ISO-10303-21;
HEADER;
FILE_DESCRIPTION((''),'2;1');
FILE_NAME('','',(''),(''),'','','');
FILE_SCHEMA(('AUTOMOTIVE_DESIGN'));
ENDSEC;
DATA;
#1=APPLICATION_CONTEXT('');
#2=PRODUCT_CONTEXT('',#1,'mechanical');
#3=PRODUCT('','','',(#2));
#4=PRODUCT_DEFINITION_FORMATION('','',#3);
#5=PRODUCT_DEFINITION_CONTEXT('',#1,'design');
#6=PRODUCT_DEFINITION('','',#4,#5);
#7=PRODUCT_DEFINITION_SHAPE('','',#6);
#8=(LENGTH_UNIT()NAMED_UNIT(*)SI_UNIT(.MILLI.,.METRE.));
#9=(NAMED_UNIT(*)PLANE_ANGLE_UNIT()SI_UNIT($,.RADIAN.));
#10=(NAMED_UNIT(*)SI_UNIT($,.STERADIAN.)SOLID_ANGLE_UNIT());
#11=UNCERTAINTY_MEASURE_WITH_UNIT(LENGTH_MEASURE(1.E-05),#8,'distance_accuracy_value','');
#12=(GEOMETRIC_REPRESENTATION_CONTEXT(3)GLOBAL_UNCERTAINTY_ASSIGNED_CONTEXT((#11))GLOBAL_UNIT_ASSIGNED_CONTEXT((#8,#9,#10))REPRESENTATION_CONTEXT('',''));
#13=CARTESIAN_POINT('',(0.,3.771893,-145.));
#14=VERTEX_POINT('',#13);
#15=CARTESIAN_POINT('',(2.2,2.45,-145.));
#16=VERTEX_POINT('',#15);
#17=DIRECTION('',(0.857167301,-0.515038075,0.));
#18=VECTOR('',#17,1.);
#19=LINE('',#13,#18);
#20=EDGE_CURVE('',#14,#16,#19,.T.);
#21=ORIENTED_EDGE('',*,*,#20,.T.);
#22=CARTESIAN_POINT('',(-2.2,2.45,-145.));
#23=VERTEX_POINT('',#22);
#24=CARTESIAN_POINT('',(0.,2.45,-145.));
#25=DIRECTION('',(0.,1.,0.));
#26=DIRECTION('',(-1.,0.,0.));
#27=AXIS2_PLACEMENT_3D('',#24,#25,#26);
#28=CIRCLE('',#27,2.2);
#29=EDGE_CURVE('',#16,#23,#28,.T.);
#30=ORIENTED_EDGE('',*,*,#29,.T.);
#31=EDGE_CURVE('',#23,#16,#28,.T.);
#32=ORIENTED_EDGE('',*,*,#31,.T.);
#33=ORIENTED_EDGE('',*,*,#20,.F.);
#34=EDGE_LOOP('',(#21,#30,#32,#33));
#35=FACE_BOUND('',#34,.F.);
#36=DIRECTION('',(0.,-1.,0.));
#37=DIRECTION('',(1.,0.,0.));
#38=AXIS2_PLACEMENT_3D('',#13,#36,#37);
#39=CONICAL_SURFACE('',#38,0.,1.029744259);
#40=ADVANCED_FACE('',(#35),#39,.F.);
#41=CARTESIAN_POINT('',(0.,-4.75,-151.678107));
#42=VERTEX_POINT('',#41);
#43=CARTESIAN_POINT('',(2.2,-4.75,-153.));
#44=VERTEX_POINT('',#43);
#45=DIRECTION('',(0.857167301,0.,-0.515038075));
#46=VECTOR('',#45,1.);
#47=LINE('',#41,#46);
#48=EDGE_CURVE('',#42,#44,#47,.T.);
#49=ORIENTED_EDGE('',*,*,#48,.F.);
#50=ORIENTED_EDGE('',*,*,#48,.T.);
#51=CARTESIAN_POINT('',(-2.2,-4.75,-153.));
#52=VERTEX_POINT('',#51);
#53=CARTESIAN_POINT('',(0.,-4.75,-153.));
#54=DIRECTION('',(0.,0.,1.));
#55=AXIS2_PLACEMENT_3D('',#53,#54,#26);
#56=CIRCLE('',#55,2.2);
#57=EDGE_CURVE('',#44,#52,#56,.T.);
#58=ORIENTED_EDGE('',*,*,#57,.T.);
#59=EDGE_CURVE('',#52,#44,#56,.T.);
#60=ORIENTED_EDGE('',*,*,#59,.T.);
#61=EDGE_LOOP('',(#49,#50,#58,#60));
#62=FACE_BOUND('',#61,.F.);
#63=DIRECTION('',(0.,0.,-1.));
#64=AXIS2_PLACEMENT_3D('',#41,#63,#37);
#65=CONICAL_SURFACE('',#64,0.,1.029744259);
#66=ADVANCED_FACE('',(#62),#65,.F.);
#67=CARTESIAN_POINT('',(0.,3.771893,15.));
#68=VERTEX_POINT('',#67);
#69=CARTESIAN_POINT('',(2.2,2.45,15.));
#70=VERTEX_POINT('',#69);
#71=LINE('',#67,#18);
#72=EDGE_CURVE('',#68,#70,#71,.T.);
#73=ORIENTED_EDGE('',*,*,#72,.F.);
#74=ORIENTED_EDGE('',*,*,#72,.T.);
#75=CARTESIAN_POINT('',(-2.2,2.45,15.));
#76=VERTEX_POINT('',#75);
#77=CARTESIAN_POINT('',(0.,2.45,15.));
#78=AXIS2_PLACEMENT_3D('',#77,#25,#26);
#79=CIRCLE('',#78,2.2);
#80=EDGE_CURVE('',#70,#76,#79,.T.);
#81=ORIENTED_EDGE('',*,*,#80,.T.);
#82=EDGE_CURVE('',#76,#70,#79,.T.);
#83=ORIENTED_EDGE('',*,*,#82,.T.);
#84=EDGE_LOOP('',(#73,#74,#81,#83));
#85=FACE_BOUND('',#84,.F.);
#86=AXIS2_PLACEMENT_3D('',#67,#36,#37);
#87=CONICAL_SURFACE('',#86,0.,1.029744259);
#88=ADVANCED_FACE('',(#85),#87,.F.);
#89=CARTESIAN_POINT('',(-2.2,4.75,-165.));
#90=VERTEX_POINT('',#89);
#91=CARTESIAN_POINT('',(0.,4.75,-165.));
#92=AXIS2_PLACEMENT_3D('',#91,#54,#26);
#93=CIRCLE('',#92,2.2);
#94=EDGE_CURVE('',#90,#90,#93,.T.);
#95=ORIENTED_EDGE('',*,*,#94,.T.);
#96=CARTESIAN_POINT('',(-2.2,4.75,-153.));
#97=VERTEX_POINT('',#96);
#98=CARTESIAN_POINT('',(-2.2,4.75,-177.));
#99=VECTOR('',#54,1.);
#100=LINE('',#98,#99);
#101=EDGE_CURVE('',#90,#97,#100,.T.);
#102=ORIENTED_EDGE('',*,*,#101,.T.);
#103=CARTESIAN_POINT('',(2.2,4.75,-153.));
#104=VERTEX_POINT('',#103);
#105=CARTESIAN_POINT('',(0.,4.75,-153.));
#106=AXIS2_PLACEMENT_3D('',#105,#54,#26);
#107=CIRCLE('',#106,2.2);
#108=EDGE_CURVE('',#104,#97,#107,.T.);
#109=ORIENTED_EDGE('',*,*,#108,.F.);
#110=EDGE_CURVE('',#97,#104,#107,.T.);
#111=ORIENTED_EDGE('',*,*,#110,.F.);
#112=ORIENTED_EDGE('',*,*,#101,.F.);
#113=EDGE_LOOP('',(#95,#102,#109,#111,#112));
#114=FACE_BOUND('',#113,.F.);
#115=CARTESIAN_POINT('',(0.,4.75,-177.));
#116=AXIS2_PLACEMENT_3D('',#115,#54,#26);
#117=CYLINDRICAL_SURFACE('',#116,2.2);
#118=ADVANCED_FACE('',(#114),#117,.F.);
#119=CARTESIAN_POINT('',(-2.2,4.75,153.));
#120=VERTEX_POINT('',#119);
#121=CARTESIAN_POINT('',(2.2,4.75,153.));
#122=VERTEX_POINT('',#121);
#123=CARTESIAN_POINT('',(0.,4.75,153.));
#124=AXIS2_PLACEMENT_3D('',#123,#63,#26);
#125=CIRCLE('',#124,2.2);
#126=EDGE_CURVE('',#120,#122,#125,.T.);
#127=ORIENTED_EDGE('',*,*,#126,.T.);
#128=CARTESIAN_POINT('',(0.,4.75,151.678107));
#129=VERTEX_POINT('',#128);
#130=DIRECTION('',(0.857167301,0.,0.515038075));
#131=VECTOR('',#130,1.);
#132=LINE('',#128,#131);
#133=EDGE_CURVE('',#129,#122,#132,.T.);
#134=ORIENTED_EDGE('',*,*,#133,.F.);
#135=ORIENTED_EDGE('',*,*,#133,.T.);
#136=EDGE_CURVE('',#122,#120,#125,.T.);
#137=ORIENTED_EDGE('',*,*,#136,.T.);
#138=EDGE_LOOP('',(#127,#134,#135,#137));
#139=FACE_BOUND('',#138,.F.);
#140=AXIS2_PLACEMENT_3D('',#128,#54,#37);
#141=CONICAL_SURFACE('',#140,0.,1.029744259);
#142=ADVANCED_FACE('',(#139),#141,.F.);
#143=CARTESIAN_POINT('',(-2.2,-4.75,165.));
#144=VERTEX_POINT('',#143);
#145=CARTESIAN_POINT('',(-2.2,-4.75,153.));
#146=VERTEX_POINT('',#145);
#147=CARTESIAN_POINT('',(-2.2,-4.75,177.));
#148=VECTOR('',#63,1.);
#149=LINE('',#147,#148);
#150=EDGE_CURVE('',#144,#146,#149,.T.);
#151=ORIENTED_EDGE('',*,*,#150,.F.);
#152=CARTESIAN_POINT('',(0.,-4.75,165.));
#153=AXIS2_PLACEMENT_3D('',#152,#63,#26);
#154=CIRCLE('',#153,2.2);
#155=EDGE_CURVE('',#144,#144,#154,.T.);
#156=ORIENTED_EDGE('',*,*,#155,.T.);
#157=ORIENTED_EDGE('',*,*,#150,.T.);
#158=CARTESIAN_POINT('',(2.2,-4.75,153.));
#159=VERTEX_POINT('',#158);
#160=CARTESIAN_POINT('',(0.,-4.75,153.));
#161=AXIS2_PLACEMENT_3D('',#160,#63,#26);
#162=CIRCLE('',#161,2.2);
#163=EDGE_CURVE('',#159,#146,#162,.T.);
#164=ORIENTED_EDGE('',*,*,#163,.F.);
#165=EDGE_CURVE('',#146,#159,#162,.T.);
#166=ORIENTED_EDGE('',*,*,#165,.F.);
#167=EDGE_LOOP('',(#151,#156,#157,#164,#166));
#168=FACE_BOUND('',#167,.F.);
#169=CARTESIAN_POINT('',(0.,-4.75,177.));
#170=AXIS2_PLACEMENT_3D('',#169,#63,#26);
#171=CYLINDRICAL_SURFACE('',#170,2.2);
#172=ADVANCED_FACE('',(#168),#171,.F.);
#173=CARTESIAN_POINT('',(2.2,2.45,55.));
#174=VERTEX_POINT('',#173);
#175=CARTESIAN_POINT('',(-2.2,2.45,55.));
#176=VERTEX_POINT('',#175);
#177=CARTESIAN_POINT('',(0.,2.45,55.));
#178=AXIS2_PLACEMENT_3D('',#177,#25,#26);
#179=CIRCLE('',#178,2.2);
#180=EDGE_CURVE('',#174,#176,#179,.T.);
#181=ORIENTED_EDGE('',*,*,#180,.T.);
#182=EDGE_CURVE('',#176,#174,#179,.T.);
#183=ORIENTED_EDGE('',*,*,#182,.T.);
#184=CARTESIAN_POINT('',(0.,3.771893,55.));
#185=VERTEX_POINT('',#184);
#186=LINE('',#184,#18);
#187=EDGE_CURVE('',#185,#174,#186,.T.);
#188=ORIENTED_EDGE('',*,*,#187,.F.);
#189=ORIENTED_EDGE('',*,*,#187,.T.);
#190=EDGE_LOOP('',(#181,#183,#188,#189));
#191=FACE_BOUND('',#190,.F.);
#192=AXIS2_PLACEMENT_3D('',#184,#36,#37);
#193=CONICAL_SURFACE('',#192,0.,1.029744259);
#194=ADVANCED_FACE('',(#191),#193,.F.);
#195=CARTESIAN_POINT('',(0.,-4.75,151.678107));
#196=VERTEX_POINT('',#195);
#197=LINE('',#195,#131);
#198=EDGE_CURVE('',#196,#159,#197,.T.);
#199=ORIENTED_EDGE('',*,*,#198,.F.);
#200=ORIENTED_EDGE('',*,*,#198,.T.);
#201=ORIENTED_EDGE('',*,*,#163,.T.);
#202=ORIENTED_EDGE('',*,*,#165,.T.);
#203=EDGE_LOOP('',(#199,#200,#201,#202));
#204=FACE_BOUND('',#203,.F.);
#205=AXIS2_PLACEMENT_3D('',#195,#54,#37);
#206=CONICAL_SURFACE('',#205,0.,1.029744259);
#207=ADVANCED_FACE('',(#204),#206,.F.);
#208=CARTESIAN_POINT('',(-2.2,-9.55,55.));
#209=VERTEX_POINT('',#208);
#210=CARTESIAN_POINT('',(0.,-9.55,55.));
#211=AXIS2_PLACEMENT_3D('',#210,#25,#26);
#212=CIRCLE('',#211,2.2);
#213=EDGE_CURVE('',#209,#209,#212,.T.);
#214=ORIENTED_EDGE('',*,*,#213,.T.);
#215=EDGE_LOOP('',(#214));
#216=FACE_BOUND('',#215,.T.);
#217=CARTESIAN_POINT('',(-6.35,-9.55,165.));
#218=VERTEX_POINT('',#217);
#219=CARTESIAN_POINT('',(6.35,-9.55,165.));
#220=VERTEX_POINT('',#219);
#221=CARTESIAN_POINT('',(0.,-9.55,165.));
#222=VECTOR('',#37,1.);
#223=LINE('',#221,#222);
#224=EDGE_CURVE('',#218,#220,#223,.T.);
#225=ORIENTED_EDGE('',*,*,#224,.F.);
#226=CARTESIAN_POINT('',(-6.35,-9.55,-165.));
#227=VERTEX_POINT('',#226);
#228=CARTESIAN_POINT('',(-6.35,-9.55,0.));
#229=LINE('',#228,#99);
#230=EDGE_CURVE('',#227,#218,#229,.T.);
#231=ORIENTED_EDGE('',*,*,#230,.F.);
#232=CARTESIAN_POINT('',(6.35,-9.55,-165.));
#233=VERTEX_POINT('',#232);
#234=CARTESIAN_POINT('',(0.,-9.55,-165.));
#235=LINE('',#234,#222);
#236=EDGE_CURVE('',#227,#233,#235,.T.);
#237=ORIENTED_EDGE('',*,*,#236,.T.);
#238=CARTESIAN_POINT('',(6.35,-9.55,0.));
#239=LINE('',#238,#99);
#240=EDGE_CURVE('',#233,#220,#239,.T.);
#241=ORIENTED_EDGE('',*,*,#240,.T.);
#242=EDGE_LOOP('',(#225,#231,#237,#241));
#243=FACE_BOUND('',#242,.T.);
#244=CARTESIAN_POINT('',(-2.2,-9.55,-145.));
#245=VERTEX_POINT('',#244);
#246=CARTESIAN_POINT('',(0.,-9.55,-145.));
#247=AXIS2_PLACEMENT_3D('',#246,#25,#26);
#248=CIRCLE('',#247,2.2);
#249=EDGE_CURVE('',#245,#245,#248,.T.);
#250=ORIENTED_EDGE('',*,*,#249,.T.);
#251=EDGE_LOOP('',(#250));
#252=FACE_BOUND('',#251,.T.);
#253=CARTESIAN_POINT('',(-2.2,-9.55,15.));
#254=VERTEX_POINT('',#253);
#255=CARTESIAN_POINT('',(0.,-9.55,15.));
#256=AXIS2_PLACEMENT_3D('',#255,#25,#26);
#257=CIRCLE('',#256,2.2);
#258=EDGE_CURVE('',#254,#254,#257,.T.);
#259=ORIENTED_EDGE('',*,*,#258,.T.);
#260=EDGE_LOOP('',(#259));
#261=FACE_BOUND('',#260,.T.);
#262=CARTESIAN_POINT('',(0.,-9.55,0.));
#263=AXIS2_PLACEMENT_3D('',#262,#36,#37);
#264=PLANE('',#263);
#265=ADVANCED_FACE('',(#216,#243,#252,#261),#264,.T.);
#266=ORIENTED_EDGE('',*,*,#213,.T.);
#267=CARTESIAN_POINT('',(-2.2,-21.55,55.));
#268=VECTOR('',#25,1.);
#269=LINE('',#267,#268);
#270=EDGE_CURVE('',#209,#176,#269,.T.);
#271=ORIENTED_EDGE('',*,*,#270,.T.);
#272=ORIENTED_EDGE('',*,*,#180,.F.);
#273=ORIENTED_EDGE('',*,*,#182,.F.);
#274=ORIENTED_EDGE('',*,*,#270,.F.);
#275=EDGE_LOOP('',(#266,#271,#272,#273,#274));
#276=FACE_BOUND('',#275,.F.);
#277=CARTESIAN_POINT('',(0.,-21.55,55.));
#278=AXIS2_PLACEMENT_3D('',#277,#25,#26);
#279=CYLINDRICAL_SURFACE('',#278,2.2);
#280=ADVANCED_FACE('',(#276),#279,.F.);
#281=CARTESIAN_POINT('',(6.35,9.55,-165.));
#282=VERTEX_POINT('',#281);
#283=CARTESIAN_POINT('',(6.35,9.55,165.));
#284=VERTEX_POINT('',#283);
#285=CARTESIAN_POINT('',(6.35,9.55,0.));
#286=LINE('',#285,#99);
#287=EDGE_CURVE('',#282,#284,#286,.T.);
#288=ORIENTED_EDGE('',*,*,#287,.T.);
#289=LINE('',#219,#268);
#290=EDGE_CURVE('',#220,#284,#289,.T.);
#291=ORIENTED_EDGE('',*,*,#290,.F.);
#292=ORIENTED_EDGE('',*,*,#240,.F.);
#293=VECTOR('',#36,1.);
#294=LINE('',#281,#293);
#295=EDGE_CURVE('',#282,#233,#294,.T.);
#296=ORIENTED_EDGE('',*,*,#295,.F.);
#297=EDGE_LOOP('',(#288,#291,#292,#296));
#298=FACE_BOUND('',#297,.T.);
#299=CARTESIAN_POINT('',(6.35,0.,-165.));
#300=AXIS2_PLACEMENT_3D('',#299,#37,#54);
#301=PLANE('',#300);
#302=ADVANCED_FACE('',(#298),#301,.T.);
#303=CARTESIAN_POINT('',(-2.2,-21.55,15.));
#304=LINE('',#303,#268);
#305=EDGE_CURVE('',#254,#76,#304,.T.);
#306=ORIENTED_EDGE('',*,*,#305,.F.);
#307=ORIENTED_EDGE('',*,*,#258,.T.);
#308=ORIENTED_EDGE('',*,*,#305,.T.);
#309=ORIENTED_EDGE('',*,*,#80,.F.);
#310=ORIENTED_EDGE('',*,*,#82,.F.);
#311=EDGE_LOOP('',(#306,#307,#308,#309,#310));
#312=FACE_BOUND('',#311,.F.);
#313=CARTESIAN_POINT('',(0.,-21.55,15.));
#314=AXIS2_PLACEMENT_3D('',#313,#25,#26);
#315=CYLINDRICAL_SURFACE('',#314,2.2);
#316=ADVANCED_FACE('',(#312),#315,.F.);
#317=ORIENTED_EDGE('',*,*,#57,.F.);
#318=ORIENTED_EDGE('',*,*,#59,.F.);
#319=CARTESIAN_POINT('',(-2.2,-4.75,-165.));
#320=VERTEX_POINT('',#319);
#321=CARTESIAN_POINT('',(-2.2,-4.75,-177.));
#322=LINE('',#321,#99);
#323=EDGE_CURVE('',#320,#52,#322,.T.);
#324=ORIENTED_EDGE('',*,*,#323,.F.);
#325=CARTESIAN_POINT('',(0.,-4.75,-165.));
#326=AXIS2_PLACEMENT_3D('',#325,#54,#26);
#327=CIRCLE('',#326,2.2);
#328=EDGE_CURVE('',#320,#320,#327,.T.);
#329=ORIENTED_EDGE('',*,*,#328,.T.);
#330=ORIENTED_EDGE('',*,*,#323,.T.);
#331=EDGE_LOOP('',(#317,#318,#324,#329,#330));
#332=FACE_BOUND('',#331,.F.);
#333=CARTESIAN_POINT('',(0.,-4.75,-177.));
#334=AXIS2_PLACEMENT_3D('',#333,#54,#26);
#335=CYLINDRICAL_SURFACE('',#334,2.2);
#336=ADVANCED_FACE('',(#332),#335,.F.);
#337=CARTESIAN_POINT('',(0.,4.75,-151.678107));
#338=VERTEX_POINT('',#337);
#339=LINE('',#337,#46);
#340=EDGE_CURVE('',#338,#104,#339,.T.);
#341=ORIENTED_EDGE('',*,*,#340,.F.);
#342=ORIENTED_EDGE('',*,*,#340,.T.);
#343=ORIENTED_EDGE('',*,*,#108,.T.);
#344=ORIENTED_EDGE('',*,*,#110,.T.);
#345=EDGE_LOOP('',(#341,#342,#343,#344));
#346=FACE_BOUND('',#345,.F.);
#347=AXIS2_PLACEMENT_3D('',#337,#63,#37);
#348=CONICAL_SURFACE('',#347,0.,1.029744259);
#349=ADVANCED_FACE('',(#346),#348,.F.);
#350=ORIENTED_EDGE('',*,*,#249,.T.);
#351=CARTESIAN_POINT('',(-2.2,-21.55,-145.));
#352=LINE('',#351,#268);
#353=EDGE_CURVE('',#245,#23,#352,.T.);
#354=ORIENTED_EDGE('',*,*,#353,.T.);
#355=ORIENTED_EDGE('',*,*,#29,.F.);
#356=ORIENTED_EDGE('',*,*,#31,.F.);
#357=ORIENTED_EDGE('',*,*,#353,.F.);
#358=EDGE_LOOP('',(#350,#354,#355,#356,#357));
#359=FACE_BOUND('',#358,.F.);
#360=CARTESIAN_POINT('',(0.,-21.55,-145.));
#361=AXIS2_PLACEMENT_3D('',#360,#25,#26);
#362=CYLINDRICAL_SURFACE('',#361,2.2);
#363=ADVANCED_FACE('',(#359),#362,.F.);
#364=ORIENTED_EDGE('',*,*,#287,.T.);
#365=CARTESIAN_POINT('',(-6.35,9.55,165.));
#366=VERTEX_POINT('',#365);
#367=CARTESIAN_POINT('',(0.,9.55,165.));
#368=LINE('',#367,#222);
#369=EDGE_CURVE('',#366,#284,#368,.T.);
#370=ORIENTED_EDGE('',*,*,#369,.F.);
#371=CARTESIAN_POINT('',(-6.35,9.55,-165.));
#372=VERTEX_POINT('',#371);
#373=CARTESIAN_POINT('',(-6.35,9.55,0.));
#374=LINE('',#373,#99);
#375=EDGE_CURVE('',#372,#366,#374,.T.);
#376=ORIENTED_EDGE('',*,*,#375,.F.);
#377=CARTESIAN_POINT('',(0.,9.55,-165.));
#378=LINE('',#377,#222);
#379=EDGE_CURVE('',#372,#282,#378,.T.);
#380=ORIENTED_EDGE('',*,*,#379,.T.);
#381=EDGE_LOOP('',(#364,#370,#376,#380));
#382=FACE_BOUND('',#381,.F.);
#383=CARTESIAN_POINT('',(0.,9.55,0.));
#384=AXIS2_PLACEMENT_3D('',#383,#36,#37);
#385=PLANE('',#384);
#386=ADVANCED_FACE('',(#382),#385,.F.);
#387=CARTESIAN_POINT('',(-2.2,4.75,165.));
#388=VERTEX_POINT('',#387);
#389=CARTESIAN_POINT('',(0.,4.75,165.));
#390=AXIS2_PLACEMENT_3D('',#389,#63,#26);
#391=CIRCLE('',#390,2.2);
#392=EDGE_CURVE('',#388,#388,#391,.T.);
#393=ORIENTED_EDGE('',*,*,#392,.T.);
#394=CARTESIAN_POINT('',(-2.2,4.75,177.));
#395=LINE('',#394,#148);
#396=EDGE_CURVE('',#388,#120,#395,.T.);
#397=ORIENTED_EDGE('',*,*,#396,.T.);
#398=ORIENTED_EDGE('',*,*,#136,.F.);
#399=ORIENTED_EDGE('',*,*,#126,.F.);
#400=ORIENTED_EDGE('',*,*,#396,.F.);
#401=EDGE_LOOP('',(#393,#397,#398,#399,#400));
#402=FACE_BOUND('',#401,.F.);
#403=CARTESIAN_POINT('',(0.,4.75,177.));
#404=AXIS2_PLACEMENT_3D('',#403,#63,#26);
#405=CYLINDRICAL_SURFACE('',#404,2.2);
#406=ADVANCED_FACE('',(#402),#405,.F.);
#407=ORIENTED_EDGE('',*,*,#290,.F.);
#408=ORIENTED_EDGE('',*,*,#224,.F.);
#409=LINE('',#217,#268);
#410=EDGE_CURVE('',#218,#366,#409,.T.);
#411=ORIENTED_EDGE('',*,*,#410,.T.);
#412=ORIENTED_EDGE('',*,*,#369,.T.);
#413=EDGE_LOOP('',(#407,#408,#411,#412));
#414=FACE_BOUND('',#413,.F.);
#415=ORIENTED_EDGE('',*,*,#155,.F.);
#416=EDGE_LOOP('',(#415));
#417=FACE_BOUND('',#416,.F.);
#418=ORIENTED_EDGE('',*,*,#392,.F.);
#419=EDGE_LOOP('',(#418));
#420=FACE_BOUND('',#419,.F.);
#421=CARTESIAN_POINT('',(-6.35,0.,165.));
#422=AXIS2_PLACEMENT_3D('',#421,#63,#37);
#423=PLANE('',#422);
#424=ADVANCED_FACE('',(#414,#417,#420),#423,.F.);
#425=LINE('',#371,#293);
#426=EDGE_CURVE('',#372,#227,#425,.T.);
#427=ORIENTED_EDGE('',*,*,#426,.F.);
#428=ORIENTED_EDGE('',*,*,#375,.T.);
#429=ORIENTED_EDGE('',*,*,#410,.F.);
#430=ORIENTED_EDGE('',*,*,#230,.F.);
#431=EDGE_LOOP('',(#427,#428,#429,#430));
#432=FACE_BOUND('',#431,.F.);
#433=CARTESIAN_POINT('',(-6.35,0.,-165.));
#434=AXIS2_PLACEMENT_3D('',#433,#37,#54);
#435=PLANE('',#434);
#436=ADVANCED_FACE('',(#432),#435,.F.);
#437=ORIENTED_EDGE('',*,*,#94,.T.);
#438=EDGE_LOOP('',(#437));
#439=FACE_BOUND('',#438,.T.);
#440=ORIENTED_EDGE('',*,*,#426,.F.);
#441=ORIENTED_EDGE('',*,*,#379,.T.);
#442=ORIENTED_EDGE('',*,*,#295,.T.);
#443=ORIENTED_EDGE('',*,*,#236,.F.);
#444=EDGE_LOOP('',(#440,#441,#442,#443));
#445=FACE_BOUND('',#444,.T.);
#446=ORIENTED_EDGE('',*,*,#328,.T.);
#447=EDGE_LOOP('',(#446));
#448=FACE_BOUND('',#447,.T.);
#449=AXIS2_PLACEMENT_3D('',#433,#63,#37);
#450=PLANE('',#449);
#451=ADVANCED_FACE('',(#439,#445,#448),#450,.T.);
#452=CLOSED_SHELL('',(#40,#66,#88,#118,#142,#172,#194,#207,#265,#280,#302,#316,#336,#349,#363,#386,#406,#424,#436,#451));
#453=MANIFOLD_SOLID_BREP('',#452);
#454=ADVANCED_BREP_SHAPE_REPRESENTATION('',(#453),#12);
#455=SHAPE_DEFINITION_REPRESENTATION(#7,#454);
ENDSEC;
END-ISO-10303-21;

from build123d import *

# Parameters (mm, degrees)
F0_W           = 12.7
F0_H           = 330
F1_DEPTH       = 9.55
F3_D           = 4.4
F3_DEPTH       = 12
F3_TIP         = 1.3218933619
F6_D           = 4.4
F6_DEPTH       = 12
F6_TIP         = 1.3218933619
F6_ON_F4_D     = 4.4
F6_ON_F4_DEPTH = 12
F6_ON_F4_TIP   = 1.3218933619


with BuildPart() as f1:
    # F0 (on Front) → F1 (new body, symmetric)
    with BuildSketch(Plane.XZ):
        Rectangle(F0_W, F0_H)
    extrude(amount=F1_DEPTH, both=True)

    # F3
    with Locations(Plane.XZ.offset(9.55)):
        with Locations((0, 15), (0, -145), (0, 55), (0, 55)):
            Hole(F3_D / 2, depth=F3_DEPTH)
            with Locations((0, 0, -(F3_DEPTH + F3_TIP / 2))):  # 118° drill point
                Cone(0, F3_D / 2, F3_TIP, mode=Mode.SUBTRACT)

    # F6
    with Locations(Plane.XY.offset(165)):
        with Locations((0, 4.75), (0, -4.75)):
            Hole(F6_D / 2, depth=F6_DEPTH)
            with Locations((0, 0, -(F6_DEPTH + F6_TIP / 2))):  # 118° drill point
                Cone(0, F6_D / 2, F6_TIP, mode=Mode.SUBTRACT)

    # F6 on F4
    with Locations(Plane(origin=(0, 0, -165), x_dir=(1, 0, 0), z_dir=(0, 0, -1))):
        with Locations((0, 4.75), (0, -4.75)):
            Hole(F6_ON_F4_D / 2, depth=F6_ON_F4_DEPTH)
            with Locations((0, 0, -(F6_ON_F4_DEPTH + F6_ON_F4_TIP / 2))):  # 118° drill point
                Cone(0, F6_ON_F4_D / 2, F6_ON_F4_TIP, mode=Mode.SUBTRACT)


solid = f1.part
